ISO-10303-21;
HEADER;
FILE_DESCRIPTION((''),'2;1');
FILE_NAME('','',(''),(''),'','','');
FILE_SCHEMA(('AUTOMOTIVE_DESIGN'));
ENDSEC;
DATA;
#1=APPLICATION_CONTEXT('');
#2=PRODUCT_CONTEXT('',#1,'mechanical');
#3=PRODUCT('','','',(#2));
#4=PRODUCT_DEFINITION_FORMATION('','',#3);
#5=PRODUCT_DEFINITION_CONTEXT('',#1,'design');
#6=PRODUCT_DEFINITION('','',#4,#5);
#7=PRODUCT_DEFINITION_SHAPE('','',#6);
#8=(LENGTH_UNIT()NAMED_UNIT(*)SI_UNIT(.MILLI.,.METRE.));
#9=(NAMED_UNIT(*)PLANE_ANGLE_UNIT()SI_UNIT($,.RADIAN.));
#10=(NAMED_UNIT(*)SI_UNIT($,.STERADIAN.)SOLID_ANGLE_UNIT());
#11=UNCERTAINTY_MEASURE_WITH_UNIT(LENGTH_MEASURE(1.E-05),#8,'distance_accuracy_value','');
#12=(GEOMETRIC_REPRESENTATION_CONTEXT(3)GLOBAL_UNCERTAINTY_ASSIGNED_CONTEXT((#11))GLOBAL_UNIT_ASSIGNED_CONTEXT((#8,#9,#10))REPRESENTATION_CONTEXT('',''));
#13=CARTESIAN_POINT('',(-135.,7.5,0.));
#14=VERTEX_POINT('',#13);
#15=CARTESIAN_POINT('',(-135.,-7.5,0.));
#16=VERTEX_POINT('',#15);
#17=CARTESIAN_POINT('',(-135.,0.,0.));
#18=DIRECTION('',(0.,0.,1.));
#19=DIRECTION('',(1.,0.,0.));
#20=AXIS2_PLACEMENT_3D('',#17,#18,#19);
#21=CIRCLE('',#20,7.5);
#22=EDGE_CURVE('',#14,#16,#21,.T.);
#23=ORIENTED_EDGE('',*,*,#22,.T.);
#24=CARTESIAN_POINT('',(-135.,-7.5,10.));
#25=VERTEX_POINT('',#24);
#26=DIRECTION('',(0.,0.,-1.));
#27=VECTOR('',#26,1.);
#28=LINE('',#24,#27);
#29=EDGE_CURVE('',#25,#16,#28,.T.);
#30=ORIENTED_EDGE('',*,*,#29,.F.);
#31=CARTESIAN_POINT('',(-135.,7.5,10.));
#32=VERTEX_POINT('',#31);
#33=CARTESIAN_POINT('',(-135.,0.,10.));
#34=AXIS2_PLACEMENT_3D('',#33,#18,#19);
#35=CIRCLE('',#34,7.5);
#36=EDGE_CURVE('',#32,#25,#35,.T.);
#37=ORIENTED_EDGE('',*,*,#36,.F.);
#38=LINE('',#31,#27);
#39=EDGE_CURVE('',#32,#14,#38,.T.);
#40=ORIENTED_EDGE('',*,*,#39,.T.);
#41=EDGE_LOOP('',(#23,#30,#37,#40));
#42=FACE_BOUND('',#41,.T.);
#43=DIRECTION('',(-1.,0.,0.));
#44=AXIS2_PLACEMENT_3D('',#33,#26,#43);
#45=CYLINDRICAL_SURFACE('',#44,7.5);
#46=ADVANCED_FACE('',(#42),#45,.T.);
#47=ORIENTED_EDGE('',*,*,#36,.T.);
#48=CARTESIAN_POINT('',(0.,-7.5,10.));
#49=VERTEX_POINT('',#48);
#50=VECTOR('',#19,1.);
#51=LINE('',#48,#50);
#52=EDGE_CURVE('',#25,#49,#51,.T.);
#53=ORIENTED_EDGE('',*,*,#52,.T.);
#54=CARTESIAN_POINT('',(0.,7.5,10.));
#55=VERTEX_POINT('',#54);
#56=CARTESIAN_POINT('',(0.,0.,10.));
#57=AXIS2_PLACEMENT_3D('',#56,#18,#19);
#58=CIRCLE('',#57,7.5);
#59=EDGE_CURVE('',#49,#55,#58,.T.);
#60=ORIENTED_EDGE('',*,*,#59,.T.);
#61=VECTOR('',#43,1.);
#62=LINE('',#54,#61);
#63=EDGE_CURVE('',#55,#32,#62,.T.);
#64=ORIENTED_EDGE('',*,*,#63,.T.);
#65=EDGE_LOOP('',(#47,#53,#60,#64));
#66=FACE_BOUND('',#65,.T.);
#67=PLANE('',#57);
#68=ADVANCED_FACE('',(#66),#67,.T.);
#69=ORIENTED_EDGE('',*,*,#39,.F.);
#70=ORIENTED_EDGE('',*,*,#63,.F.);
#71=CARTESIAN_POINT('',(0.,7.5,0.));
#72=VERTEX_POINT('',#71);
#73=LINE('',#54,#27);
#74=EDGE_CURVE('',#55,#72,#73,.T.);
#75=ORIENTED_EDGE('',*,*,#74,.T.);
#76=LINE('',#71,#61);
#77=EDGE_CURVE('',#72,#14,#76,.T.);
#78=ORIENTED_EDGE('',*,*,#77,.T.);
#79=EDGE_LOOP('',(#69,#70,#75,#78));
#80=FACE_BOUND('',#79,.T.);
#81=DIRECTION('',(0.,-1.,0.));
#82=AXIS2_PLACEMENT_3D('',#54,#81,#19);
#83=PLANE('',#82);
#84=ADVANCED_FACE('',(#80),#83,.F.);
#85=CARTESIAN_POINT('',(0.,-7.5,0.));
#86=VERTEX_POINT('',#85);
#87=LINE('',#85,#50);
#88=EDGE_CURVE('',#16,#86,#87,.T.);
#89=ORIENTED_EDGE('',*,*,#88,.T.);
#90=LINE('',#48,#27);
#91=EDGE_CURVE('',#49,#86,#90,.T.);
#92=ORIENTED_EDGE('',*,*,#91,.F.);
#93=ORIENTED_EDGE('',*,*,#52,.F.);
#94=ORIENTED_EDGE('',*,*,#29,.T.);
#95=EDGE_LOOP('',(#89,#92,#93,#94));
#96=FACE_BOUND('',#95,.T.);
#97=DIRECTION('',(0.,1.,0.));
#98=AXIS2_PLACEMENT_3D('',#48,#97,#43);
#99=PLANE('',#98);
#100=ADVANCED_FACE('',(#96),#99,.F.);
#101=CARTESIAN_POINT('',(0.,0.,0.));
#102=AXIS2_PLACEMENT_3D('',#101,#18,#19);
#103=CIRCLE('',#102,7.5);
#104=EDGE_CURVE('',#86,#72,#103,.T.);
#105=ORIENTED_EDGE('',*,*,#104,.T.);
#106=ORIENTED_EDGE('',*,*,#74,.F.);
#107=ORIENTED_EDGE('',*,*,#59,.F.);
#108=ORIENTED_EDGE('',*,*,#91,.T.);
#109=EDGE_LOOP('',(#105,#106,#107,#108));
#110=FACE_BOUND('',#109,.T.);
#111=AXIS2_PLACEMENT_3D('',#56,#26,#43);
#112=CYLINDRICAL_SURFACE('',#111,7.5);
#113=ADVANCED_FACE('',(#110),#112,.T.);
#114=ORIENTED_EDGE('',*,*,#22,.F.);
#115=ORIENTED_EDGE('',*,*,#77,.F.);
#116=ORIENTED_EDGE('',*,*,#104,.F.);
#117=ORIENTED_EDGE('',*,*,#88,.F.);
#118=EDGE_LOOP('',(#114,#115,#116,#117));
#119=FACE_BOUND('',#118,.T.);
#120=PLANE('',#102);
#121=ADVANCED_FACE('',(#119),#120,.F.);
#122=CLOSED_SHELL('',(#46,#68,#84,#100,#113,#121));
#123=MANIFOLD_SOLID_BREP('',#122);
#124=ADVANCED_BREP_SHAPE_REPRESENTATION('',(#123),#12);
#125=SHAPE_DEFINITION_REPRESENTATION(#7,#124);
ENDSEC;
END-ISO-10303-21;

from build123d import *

# Parameters (mm, degrees)
EXTRUDE_1_DEPTH = 10


with BuildPart() as part:
    # 草图1 → 凸台-拉伸1 (new body)
    with BuildSketch(Plane.XY):
        with BuildLine():
            Line((0, -7.5), (-135, -7.5))
            ThreePointArc((-135, -7.5), (-142.5, 0), (-135, 7.5))
            Line((-135, 7.5), (0, 7.5))
            ThreePointArc((0, 7.5), (7.5, 0), (0, -7.5))
        make_face()
    extrude(amount=EXTRUDE_1_DEPTH)


solid = part.part
